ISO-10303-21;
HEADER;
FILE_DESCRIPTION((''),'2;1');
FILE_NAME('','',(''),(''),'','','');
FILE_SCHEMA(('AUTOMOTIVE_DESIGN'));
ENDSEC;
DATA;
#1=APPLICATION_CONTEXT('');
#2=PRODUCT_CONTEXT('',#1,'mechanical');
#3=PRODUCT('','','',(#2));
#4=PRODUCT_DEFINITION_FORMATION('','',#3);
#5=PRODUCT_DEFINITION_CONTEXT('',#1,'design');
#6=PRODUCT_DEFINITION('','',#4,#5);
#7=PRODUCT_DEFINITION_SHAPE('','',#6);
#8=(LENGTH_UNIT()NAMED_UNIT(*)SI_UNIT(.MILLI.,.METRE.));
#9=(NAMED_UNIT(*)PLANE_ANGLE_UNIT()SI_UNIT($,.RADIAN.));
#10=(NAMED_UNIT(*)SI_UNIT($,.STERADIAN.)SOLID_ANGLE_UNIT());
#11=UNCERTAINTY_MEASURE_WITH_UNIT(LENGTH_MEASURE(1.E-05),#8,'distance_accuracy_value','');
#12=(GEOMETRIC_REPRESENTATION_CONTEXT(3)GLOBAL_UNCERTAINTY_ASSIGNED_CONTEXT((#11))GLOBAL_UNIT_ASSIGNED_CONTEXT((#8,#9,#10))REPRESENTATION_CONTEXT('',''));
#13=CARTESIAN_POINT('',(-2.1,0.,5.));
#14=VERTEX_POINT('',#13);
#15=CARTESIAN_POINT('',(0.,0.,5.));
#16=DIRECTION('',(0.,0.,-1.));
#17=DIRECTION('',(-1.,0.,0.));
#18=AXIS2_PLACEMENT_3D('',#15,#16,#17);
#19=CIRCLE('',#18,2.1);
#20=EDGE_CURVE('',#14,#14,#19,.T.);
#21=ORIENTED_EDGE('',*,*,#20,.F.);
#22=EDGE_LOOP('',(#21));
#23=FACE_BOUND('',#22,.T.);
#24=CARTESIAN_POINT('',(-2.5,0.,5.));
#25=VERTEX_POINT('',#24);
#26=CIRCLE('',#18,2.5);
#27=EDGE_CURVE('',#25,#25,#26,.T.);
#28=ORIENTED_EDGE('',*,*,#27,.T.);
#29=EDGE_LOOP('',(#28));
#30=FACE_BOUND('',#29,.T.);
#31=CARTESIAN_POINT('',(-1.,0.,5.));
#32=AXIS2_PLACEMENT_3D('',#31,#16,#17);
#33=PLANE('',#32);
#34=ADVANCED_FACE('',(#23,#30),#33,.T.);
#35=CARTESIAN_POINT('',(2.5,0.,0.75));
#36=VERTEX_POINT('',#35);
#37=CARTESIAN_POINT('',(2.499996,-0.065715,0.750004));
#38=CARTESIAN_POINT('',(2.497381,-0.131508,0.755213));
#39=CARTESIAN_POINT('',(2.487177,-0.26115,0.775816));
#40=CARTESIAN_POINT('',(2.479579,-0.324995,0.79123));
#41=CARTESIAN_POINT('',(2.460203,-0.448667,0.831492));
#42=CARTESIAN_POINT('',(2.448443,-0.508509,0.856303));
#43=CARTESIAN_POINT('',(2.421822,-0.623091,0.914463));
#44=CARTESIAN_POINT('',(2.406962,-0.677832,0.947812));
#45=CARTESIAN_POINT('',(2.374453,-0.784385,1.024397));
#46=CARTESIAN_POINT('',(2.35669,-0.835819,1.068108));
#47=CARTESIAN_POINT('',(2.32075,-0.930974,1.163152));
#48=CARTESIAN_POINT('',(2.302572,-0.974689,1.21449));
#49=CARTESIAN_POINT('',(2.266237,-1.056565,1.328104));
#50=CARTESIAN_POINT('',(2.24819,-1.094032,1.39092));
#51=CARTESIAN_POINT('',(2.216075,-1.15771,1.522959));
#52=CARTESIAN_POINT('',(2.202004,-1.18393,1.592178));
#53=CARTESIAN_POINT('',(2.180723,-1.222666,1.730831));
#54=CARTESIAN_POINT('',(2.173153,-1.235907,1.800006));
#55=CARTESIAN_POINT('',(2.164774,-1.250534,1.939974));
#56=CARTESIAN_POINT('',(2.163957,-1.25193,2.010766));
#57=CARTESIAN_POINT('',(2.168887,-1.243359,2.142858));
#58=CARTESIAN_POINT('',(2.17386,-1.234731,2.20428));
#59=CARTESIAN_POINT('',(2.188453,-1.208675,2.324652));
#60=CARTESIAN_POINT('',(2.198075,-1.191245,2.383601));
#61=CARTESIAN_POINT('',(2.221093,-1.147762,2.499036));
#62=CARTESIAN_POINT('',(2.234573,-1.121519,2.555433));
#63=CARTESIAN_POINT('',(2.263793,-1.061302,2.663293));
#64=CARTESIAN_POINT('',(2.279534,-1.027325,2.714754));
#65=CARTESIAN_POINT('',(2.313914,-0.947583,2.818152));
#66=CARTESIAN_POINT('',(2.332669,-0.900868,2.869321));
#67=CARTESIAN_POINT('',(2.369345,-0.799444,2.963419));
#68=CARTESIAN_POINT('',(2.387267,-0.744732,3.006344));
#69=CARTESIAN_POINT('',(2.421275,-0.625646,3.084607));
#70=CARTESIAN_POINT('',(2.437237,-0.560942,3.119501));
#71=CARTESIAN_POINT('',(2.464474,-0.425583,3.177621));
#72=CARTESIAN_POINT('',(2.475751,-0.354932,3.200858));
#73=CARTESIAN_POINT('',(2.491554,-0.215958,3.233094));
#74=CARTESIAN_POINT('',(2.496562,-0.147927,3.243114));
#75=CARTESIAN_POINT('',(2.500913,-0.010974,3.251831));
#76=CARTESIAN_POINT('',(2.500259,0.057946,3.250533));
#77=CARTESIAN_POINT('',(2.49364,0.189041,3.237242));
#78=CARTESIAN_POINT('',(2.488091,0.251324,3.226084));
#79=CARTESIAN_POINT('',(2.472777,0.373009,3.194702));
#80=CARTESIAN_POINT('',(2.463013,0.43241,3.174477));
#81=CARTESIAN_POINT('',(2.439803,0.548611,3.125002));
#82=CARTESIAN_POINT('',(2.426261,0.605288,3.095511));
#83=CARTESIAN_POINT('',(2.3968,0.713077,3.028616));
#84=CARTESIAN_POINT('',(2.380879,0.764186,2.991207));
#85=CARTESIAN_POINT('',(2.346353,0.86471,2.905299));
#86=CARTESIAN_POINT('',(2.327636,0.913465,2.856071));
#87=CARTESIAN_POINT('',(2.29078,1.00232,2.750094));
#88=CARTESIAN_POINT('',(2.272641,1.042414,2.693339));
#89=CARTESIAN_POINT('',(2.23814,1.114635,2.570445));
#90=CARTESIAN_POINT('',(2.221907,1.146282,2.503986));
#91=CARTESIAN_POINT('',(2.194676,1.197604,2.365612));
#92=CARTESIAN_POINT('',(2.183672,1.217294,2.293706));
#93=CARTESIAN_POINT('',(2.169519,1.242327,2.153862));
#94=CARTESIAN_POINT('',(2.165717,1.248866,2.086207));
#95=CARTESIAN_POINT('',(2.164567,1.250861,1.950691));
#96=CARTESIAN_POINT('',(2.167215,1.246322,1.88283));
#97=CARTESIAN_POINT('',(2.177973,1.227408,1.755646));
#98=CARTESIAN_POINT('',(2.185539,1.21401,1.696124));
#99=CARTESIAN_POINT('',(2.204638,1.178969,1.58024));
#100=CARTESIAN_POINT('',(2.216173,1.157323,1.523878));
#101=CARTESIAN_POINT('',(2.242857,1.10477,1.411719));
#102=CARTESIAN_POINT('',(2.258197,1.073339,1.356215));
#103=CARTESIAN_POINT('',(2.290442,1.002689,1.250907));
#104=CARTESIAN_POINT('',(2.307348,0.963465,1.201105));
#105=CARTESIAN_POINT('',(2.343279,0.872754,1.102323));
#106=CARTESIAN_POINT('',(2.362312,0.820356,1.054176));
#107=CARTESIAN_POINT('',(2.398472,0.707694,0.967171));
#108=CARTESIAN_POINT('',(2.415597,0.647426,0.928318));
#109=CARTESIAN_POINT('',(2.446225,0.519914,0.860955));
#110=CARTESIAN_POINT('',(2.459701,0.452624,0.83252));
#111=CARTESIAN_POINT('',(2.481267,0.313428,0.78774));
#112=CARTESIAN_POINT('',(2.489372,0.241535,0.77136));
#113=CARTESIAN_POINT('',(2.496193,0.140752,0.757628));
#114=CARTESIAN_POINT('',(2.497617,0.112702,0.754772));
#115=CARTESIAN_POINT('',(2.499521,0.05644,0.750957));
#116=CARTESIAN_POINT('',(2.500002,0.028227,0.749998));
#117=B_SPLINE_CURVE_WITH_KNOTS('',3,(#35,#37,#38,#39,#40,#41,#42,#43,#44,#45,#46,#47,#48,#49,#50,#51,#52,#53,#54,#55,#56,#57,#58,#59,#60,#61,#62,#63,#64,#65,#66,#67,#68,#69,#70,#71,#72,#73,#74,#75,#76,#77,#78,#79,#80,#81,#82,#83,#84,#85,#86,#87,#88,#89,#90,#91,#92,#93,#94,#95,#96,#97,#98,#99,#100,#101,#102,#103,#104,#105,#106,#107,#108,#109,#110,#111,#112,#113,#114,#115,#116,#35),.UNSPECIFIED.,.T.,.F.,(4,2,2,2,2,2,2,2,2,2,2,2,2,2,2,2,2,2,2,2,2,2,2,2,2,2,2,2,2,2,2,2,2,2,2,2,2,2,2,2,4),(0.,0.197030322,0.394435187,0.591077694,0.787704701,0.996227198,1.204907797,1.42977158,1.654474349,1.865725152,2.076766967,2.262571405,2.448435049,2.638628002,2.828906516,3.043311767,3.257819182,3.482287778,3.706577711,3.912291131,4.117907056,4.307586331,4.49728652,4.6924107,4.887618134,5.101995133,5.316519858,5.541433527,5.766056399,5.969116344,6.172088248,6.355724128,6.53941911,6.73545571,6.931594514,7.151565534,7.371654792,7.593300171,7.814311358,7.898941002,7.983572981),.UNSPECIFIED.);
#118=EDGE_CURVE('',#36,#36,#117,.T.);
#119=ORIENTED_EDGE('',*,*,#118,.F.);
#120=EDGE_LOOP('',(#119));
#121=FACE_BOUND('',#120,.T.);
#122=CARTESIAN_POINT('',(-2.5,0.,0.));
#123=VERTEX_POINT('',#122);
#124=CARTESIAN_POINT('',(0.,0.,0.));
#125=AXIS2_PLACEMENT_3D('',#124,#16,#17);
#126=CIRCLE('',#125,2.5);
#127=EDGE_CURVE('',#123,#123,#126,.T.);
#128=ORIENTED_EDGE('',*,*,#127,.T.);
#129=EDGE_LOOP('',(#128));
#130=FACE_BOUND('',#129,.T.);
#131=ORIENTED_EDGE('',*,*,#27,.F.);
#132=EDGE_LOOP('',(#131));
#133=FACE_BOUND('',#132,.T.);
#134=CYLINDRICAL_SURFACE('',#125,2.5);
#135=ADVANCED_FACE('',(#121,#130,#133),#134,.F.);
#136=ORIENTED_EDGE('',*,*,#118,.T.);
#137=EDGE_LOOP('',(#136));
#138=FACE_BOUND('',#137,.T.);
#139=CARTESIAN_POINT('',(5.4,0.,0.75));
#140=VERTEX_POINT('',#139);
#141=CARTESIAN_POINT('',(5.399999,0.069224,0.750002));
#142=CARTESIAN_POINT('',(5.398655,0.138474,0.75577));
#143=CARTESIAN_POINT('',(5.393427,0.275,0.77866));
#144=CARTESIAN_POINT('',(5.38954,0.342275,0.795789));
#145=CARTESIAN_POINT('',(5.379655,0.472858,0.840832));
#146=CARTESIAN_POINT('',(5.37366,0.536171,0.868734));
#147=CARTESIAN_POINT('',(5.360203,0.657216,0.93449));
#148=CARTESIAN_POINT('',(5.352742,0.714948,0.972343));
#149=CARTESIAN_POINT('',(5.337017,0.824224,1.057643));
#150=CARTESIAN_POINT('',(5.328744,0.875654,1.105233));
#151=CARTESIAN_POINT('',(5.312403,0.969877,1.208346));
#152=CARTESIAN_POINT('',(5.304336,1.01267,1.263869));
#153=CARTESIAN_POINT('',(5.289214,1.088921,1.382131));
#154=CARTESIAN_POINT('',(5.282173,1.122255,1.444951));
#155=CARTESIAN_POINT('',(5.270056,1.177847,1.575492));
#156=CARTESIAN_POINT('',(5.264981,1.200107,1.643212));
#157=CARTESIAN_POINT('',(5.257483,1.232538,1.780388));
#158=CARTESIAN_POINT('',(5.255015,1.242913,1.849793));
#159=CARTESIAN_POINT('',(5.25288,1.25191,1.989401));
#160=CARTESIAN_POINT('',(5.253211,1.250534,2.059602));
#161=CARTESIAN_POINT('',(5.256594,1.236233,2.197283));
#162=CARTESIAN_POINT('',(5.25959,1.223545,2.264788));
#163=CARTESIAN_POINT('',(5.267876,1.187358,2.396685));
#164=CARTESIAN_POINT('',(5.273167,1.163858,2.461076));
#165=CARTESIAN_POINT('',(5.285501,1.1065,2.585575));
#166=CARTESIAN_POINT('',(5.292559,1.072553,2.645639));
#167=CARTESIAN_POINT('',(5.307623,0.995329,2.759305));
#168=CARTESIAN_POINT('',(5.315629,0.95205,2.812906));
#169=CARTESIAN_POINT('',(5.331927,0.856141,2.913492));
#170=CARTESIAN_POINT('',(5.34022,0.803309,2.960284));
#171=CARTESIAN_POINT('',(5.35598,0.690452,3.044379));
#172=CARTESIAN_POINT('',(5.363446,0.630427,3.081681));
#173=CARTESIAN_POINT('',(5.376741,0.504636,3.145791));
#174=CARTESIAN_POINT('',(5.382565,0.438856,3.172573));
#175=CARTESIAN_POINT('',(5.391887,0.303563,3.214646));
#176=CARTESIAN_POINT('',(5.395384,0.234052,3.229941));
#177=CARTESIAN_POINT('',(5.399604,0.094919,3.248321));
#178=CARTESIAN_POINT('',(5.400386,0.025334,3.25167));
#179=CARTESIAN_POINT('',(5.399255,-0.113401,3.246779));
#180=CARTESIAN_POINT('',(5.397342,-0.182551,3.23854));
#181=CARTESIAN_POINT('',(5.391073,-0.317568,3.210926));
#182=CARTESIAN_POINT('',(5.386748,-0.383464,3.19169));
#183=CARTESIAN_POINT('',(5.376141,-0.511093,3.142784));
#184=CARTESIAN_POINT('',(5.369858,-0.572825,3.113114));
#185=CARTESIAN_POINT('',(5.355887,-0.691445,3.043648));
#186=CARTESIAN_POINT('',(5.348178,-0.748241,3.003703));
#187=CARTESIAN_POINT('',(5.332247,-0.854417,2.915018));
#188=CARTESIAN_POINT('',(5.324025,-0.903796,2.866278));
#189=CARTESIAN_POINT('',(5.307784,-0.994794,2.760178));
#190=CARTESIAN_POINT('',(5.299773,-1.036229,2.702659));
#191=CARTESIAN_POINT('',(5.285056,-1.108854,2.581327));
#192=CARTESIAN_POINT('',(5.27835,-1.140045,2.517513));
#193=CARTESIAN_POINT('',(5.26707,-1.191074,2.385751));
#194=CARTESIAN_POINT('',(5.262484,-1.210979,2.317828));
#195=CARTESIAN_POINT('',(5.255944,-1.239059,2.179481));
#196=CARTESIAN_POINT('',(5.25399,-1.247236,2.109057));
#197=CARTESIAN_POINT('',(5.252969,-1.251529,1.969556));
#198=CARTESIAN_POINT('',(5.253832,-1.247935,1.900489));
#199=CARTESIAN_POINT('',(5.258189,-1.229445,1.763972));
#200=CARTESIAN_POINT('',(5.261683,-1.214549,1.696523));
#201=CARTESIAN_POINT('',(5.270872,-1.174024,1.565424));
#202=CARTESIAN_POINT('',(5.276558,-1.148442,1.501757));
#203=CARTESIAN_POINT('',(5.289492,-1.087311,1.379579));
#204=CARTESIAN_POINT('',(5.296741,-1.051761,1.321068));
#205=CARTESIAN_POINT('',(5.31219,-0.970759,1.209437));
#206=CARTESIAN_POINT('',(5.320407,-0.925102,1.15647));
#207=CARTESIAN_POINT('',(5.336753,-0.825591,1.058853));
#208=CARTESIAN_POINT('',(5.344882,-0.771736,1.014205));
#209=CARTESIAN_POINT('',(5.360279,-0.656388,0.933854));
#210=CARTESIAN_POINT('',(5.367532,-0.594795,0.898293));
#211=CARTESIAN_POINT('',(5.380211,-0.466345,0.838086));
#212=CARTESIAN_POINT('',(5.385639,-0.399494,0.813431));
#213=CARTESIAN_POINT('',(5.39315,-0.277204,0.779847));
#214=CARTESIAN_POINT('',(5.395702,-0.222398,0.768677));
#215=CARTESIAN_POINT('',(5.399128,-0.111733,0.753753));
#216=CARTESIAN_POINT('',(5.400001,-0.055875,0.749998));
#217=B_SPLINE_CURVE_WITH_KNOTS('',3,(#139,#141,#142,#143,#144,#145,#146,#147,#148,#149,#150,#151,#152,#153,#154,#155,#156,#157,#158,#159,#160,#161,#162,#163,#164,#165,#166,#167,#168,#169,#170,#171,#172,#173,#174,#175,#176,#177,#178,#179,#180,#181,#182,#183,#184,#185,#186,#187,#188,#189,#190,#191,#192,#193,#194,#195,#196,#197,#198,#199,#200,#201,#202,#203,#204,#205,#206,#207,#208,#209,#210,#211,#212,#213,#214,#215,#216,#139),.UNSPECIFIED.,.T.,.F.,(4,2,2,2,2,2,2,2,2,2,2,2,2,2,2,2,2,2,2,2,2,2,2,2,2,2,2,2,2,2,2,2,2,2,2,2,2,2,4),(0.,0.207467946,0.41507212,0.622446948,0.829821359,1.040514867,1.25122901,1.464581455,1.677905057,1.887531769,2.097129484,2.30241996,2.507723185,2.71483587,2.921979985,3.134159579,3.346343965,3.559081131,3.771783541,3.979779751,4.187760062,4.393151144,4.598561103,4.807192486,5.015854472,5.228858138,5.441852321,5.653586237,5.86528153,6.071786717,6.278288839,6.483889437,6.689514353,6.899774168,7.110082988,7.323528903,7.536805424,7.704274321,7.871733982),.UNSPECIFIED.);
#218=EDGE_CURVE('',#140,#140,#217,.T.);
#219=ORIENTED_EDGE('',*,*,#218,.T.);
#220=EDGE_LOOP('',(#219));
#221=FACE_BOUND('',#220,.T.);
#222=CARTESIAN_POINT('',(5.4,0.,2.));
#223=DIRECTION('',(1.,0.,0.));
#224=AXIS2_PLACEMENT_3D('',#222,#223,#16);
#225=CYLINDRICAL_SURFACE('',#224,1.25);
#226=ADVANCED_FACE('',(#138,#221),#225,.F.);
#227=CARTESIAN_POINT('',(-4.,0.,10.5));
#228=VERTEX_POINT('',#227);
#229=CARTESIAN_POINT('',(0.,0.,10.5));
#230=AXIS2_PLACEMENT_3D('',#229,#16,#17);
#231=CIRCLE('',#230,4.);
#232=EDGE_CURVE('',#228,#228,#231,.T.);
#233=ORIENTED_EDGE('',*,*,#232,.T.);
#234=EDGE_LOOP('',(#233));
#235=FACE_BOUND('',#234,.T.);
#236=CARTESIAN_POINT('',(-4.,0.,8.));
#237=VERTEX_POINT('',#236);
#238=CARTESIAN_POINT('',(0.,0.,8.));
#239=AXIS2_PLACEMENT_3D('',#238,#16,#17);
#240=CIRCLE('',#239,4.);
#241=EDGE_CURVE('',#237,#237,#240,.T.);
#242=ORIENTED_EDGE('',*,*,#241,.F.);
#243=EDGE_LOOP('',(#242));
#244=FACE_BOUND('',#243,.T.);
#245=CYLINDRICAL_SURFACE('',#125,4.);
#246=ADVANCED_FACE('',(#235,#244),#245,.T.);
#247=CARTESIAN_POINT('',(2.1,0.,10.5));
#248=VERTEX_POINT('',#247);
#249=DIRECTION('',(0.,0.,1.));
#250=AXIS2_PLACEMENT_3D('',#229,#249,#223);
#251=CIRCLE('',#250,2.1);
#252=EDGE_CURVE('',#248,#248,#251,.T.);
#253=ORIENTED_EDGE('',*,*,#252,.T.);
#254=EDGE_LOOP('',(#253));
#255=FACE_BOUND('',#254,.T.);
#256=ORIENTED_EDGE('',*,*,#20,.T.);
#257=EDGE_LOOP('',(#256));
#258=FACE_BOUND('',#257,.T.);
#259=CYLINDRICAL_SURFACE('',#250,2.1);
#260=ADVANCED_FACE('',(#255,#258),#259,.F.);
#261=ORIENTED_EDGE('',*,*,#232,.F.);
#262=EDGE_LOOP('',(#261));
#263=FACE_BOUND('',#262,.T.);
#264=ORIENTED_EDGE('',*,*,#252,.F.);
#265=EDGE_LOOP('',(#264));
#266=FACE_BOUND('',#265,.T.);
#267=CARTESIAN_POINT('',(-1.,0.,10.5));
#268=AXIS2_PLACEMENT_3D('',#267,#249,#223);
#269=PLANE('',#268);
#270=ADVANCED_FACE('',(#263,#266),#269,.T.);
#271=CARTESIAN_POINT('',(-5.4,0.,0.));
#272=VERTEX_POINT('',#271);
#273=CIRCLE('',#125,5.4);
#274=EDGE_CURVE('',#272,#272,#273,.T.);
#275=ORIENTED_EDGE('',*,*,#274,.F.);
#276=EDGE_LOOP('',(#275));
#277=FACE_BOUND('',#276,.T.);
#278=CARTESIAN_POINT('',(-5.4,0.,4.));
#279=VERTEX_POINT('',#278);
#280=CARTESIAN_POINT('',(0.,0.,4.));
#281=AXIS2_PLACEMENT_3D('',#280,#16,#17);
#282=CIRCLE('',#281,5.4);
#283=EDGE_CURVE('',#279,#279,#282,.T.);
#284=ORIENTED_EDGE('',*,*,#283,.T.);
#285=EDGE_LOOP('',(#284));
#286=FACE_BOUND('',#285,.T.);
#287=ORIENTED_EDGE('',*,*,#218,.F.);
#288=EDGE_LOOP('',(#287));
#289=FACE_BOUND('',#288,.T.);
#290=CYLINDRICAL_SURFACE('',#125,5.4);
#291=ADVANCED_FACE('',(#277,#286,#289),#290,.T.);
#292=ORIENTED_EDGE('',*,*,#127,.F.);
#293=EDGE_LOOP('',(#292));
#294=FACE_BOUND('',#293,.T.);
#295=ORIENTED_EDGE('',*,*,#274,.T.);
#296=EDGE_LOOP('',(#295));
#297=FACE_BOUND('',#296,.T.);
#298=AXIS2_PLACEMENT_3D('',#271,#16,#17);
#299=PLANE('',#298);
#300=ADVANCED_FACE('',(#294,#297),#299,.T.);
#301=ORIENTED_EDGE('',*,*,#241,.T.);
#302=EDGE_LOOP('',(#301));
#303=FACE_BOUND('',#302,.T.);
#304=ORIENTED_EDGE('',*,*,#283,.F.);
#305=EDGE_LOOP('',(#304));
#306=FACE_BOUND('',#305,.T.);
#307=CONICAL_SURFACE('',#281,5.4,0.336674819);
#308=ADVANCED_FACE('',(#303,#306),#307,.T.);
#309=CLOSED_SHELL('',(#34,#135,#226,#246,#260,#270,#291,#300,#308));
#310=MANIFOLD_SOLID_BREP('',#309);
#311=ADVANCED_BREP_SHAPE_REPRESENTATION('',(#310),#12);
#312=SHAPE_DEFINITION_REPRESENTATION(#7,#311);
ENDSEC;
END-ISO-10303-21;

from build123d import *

# Parameters (mm, degrees)
CONNECTOR_M5X0_8_TAPPED_HOLE_D        = 4.2
SET_SCREW_1_M3X0_5_TAPPED_HOLE_REACH  = 16.767
SET_SCREW_1_M3X0_5_TAPPED_HOLE_BORE_R = 1.25


with BuildPart() as part:
    # Body Sketch → Body Revolve (revolve)
    with BuildSketch(Plane(origin=(0, 0, 0), x_dir=(-1, 0, 0), z_dir=(0, 1, 0))):
        Polygon((1, 10.5), (4, 10.5), (4, 8), (5.4, 4), (5.4, 0), (2.5, 0), (2.5, 5), (1, 5), align=None)
    revolve(axis=Axis((0, 0, 0), (0, 0, 1)))

    # Connector M5x0.8 Tapped Hole (through all)
    with Locations(Plane.XY.offset(10.5)):
        with Locations((0, 0)):
            Hole(CONNECTOR_M5X0_8_TAPPED_HOLE_D / 2)

    # Set Screw 1 M3x0.5 Tapped Hole bore (on position points) → Set Screw 1 M3x0.5 Tapped Hole (cut, up to next)
    with BuildSketch(Plane(origin=(5.4, 0, 2), x_dir=(0, 1, 0), z_dir=(1, 0, 0)), mode=Mode.PRIVATE) as set_screw_1_m3x0_5_tapped_hole_sk1:
        Circle(SET_SCREW_1_M3X0_5_TAPPED_HOLE_BORE_R)
    set_screw_1_m3x0_5_tapped_hole_tool1 = extrude(set_screw_1_m3x0_5_tapped_hole_sk1.sketch, amount=-SET_SCREW_1_M3X0_5_TAPPED_HOLE_REACH, mode=Mode.PRIVATE) & part.part
    add(set_screw_1_m3x0_5_tapped_hole_tool1.solids().sort_by_distance((5.4, 0, 2))[0], mode=Mode.SUBTRACT)


solid = part.part
